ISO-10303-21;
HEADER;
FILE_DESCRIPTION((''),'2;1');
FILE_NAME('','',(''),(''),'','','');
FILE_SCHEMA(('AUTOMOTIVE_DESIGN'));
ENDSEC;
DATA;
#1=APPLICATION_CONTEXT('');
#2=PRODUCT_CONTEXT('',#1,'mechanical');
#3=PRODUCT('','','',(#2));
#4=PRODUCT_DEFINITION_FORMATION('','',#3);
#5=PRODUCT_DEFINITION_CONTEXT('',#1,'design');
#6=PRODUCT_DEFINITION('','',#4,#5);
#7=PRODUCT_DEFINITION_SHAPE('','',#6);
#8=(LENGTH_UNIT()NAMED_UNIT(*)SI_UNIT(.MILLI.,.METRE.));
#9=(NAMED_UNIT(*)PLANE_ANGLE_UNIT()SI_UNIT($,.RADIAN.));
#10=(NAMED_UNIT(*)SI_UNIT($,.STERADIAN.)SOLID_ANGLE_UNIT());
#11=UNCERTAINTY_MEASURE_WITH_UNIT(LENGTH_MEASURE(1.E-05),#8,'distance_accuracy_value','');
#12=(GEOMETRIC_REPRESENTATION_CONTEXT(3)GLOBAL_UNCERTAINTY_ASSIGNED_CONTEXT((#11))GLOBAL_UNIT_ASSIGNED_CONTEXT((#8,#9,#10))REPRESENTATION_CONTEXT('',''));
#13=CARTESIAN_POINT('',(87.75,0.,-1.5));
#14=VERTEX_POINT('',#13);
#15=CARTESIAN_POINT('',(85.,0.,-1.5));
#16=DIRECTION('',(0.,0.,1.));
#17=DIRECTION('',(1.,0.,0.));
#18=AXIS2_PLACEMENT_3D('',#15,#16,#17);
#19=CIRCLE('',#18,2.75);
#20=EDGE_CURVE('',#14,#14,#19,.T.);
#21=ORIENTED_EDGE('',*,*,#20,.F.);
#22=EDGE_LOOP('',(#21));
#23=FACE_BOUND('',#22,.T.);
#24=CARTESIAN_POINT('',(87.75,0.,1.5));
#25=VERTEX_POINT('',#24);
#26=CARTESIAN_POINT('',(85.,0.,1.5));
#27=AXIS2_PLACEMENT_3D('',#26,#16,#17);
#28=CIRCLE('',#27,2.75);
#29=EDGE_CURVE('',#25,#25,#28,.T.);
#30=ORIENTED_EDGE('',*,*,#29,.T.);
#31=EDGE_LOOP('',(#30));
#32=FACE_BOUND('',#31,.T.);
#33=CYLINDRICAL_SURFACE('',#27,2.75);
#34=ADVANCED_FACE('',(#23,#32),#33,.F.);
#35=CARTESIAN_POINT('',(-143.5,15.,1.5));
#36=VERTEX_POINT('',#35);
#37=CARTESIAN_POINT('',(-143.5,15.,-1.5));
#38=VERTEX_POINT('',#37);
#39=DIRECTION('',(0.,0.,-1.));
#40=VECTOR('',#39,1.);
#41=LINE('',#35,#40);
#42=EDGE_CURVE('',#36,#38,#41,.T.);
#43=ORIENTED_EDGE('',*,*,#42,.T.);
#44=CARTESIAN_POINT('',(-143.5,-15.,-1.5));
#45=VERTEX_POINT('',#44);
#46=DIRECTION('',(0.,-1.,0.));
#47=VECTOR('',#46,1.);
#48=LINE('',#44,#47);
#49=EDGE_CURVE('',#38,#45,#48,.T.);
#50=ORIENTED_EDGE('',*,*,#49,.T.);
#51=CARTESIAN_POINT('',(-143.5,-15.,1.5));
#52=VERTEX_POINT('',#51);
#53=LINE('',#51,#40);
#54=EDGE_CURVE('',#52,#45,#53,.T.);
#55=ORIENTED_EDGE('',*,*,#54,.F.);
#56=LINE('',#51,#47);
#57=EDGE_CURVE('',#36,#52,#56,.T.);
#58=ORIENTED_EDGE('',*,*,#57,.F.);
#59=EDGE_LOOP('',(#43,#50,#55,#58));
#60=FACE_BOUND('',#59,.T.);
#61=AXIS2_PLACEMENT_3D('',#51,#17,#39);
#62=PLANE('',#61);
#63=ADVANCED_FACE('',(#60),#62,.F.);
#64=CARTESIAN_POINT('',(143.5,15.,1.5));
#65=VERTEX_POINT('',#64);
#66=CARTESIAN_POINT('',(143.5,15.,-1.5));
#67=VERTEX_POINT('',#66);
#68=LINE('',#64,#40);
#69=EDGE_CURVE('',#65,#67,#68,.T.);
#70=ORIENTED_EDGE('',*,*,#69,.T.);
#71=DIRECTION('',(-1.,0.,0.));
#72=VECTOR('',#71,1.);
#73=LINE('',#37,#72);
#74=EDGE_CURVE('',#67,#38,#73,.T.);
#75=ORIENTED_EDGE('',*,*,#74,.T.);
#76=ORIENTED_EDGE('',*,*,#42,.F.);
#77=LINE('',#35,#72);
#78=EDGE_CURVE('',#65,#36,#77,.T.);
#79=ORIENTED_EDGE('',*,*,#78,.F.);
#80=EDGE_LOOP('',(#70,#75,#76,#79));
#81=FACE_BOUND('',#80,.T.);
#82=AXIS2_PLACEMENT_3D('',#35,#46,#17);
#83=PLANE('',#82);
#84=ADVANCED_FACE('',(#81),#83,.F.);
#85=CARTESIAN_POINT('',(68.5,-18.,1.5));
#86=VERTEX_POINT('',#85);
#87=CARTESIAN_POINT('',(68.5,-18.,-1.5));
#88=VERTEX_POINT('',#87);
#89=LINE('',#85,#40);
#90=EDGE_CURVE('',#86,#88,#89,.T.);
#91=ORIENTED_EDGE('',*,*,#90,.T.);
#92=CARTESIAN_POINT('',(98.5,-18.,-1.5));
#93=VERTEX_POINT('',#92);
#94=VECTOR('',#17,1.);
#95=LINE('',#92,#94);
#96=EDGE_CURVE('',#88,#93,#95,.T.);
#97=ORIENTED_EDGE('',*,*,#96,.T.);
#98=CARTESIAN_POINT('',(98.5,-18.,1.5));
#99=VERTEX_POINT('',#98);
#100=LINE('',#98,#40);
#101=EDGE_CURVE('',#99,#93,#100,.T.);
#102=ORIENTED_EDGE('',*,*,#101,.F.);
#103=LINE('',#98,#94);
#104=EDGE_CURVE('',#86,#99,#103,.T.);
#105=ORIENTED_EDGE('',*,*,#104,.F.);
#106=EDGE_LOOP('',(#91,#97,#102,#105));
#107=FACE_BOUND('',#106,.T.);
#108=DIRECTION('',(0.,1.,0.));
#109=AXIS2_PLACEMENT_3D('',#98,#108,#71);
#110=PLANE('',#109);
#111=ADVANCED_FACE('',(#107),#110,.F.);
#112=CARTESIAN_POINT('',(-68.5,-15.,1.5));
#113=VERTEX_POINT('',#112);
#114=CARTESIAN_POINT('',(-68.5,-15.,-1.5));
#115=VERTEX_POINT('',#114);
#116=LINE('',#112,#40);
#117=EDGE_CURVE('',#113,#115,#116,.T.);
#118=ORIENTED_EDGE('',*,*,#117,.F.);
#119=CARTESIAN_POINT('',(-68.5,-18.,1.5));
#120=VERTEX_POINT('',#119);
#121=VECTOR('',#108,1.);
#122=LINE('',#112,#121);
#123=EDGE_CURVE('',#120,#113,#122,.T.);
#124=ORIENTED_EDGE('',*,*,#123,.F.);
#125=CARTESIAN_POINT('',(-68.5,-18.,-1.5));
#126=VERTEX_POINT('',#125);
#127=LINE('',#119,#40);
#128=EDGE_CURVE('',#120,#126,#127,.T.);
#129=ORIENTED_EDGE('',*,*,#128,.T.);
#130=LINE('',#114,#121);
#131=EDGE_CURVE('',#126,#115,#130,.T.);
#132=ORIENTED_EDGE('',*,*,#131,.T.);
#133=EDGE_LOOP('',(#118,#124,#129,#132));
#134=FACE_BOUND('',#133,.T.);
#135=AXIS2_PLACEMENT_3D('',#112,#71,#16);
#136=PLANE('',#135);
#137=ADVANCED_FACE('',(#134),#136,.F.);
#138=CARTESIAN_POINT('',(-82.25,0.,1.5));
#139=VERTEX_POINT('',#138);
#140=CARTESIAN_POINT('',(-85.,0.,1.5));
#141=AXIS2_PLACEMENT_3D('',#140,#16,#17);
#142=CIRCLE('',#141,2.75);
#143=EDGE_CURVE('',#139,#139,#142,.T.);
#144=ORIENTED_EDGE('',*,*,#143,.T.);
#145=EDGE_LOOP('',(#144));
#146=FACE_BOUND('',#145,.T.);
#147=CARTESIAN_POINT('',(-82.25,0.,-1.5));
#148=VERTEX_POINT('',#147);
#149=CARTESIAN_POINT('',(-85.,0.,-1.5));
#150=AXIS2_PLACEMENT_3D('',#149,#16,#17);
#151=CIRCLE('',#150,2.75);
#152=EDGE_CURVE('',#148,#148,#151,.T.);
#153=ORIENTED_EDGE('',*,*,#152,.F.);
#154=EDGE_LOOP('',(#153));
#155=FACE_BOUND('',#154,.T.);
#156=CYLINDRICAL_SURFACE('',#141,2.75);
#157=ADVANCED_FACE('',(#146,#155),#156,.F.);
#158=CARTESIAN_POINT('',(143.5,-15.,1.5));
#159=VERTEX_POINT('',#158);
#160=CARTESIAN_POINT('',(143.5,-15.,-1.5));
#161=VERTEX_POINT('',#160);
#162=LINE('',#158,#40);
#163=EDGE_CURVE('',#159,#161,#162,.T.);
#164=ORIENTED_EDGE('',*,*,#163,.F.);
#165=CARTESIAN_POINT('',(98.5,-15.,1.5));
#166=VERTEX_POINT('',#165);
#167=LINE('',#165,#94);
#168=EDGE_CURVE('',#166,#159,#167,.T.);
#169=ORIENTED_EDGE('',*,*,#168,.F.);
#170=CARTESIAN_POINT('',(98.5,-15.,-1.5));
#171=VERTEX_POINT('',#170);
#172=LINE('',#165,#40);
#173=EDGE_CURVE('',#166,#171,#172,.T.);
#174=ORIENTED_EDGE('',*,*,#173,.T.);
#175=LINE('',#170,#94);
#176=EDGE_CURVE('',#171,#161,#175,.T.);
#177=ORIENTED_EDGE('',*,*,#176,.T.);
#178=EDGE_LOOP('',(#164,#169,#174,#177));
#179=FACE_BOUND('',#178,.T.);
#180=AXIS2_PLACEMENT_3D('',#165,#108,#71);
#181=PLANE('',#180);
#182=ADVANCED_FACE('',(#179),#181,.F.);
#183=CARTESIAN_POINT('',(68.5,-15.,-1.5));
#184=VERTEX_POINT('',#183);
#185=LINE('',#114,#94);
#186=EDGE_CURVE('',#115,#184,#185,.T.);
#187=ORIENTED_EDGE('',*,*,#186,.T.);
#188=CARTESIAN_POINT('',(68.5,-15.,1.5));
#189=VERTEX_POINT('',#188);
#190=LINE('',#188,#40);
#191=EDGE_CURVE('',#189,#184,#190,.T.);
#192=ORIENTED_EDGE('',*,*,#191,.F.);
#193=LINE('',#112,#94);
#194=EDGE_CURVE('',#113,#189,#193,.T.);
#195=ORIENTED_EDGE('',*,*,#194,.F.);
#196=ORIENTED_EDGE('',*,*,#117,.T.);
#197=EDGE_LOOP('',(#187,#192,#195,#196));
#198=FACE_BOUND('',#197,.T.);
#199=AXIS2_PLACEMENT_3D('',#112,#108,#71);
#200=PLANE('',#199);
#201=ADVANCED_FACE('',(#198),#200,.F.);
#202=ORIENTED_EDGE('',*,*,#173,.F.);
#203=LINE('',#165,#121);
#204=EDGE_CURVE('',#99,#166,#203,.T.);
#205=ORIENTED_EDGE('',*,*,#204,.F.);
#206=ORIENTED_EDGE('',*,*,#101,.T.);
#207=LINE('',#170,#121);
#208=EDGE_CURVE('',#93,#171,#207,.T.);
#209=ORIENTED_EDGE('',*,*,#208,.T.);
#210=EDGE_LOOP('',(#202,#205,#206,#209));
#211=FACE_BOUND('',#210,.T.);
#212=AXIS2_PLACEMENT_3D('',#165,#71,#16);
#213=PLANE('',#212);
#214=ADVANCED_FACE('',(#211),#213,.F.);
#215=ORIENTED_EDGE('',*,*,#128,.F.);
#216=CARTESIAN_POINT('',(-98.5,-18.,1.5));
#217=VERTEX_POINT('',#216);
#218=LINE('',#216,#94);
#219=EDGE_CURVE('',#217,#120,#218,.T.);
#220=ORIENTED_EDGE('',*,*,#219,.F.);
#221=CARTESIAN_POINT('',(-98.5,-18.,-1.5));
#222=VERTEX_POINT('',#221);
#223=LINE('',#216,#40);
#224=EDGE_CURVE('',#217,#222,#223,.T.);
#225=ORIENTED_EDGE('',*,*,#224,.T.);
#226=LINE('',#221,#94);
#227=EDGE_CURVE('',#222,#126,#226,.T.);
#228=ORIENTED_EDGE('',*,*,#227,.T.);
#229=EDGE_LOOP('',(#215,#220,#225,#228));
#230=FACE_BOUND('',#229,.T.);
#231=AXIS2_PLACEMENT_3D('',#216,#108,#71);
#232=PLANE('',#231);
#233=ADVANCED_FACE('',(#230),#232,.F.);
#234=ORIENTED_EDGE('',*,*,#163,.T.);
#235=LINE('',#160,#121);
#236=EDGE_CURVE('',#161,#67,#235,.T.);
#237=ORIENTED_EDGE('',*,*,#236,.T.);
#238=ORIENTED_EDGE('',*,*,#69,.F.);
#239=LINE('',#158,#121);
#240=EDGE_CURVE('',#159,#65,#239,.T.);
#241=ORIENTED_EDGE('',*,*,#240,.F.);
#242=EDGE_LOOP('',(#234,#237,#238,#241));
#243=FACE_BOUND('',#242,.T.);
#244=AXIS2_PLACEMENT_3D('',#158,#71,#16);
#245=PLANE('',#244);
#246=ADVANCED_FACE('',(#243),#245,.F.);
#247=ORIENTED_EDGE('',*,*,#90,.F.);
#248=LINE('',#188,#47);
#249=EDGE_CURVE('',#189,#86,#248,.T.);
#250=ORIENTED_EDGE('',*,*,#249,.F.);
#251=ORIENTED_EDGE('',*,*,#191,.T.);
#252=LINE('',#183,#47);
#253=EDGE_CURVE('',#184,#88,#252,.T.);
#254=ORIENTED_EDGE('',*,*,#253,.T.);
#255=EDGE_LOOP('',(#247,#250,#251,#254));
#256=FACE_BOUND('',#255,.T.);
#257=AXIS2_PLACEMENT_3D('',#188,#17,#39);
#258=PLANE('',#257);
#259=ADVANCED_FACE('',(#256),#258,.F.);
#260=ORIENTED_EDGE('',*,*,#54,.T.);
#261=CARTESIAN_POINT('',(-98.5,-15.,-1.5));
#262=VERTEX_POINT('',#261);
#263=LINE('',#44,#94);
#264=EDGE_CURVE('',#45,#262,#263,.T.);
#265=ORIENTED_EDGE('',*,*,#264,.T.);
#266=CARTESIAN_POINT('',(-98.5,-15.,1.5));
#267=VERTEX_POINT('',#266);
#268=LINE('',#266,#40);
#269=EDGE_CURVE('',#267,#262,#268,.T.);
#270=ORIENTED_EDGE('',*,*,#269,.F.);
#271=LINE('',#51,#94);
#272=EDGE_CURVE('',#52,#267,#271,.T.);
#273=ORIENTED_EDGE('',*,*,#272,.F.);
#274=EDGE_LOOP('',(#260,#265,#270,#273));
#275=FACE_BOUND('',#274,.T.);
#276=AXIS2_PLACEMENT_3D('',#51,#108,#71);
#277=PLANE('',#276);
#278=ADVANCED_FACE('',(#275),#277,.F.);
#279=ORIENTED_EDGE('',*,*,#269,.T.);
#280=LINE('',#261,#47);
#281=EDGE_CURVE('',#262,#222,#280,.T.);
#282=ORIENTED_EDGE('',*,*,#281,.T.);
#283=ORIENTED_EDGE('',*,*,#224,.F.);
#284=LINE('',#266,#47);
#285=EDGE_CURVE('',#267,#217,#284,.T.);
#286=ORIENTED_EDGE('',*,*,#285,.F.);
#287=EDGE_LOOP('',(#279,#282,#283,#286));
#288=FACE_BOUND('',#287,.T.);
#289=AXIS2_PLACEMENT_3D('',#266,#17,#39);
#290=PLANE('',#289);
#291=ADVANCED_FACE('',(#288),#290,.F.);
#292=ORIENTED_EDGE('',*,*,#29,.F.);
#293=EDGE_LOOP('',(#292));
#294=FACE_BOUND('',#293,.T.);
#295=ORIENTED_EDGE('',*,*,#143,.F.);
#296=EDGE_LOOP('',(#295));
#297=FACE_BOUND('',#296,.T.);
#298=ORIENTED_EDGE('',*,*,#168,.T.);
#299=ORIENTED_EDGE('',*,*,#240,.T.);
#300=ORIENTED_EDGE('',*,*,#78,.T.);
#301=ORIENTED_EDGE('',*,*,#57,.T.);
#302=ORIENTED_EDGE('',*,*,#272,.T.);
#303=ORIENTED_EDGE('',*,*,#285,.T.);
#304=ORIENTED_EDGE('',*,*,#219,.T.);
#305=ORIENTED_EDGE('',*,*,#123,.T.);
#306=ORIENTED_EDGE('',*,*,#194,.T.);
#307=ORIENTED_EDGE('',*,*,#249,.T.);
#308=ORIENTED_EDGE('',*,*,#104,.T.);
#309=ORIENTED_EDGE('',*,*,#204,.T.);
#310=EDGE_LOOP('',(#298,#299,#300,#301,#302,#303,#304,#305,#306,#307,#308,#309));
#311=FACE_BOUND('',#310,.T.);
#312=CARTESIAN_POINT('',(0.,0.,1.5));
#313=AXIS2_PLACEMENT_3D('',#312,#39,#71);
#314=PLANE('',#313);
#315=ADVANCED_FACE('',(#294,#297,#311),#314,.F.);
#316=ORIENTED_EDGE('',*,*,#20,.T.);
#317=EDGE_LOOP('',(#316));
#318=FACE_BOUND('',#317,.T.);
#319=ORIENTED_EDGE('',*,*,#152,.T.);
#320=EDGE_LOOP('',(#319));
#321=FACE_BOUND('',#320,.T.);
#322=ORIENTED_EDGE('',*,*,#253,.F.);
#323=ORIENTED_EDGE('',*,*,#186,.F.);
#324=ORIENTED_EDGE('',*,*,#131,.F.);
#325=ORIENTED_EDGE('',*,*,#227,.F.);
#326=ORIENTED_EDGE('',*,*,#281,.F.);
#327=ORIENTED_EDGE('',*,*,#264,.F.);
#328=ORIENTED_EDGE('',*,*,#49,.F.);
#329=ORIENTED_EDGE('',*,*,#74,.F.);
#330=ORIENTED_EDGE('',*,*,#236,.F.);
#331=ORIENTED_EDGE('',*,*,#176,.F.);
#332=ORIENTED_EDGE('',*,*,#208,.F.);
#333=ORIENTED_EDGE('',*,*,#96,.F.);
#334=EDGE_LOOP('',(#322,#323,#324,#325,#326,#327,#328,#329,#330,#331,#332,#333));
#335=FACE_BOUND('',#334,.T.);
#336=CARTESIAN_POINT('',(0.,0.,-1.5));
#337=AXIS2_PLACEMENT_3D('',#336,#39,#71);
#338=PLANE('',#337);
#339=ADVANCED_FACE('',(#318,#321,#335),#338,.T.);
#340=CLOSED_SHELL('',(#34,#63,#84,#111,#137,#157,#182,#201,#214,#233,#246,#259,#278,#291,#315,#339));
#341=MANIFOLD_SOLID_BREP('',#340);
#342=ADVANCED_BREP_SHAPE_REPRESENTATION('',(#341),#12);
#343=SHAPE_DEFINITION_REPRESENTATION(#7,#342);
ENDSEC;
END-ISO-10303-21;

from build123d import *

# Parameters (mm, degrees)
SALIENTE_EXTRUIR1_DEPTH      = 1.5
TALADRO_DE_MARGEN_PARA_M51_D = 5.5


with BuildPart() as part:
    # Croquis1 → Saliente-Extruir1 (new, symmetric)
    with BuildSketch(Plane.XY):
        Polygon((-143.5, -15), (-98.5, -15), (-98.5, -18), (-68.5, -18), (-68.5, -15), (68.5, -15), (68.5, -18), (98.5, -18), (98.5, -15), (143.5, -15), (143.5, 15), (-143.5, 15), align=None)
    extrude(amount=SALIENTE_EXTRUIR1_DEPTH, both=True)

    # Taladro de margen para M51 (through all)
    with Locations(Plane.XY.offset(1.5)):
        with Locations((-85, 0), (85, 0)):
            Hole(TALADRO_DE_MARGEN_PARA_M51_D / 2)


solid = part.part
